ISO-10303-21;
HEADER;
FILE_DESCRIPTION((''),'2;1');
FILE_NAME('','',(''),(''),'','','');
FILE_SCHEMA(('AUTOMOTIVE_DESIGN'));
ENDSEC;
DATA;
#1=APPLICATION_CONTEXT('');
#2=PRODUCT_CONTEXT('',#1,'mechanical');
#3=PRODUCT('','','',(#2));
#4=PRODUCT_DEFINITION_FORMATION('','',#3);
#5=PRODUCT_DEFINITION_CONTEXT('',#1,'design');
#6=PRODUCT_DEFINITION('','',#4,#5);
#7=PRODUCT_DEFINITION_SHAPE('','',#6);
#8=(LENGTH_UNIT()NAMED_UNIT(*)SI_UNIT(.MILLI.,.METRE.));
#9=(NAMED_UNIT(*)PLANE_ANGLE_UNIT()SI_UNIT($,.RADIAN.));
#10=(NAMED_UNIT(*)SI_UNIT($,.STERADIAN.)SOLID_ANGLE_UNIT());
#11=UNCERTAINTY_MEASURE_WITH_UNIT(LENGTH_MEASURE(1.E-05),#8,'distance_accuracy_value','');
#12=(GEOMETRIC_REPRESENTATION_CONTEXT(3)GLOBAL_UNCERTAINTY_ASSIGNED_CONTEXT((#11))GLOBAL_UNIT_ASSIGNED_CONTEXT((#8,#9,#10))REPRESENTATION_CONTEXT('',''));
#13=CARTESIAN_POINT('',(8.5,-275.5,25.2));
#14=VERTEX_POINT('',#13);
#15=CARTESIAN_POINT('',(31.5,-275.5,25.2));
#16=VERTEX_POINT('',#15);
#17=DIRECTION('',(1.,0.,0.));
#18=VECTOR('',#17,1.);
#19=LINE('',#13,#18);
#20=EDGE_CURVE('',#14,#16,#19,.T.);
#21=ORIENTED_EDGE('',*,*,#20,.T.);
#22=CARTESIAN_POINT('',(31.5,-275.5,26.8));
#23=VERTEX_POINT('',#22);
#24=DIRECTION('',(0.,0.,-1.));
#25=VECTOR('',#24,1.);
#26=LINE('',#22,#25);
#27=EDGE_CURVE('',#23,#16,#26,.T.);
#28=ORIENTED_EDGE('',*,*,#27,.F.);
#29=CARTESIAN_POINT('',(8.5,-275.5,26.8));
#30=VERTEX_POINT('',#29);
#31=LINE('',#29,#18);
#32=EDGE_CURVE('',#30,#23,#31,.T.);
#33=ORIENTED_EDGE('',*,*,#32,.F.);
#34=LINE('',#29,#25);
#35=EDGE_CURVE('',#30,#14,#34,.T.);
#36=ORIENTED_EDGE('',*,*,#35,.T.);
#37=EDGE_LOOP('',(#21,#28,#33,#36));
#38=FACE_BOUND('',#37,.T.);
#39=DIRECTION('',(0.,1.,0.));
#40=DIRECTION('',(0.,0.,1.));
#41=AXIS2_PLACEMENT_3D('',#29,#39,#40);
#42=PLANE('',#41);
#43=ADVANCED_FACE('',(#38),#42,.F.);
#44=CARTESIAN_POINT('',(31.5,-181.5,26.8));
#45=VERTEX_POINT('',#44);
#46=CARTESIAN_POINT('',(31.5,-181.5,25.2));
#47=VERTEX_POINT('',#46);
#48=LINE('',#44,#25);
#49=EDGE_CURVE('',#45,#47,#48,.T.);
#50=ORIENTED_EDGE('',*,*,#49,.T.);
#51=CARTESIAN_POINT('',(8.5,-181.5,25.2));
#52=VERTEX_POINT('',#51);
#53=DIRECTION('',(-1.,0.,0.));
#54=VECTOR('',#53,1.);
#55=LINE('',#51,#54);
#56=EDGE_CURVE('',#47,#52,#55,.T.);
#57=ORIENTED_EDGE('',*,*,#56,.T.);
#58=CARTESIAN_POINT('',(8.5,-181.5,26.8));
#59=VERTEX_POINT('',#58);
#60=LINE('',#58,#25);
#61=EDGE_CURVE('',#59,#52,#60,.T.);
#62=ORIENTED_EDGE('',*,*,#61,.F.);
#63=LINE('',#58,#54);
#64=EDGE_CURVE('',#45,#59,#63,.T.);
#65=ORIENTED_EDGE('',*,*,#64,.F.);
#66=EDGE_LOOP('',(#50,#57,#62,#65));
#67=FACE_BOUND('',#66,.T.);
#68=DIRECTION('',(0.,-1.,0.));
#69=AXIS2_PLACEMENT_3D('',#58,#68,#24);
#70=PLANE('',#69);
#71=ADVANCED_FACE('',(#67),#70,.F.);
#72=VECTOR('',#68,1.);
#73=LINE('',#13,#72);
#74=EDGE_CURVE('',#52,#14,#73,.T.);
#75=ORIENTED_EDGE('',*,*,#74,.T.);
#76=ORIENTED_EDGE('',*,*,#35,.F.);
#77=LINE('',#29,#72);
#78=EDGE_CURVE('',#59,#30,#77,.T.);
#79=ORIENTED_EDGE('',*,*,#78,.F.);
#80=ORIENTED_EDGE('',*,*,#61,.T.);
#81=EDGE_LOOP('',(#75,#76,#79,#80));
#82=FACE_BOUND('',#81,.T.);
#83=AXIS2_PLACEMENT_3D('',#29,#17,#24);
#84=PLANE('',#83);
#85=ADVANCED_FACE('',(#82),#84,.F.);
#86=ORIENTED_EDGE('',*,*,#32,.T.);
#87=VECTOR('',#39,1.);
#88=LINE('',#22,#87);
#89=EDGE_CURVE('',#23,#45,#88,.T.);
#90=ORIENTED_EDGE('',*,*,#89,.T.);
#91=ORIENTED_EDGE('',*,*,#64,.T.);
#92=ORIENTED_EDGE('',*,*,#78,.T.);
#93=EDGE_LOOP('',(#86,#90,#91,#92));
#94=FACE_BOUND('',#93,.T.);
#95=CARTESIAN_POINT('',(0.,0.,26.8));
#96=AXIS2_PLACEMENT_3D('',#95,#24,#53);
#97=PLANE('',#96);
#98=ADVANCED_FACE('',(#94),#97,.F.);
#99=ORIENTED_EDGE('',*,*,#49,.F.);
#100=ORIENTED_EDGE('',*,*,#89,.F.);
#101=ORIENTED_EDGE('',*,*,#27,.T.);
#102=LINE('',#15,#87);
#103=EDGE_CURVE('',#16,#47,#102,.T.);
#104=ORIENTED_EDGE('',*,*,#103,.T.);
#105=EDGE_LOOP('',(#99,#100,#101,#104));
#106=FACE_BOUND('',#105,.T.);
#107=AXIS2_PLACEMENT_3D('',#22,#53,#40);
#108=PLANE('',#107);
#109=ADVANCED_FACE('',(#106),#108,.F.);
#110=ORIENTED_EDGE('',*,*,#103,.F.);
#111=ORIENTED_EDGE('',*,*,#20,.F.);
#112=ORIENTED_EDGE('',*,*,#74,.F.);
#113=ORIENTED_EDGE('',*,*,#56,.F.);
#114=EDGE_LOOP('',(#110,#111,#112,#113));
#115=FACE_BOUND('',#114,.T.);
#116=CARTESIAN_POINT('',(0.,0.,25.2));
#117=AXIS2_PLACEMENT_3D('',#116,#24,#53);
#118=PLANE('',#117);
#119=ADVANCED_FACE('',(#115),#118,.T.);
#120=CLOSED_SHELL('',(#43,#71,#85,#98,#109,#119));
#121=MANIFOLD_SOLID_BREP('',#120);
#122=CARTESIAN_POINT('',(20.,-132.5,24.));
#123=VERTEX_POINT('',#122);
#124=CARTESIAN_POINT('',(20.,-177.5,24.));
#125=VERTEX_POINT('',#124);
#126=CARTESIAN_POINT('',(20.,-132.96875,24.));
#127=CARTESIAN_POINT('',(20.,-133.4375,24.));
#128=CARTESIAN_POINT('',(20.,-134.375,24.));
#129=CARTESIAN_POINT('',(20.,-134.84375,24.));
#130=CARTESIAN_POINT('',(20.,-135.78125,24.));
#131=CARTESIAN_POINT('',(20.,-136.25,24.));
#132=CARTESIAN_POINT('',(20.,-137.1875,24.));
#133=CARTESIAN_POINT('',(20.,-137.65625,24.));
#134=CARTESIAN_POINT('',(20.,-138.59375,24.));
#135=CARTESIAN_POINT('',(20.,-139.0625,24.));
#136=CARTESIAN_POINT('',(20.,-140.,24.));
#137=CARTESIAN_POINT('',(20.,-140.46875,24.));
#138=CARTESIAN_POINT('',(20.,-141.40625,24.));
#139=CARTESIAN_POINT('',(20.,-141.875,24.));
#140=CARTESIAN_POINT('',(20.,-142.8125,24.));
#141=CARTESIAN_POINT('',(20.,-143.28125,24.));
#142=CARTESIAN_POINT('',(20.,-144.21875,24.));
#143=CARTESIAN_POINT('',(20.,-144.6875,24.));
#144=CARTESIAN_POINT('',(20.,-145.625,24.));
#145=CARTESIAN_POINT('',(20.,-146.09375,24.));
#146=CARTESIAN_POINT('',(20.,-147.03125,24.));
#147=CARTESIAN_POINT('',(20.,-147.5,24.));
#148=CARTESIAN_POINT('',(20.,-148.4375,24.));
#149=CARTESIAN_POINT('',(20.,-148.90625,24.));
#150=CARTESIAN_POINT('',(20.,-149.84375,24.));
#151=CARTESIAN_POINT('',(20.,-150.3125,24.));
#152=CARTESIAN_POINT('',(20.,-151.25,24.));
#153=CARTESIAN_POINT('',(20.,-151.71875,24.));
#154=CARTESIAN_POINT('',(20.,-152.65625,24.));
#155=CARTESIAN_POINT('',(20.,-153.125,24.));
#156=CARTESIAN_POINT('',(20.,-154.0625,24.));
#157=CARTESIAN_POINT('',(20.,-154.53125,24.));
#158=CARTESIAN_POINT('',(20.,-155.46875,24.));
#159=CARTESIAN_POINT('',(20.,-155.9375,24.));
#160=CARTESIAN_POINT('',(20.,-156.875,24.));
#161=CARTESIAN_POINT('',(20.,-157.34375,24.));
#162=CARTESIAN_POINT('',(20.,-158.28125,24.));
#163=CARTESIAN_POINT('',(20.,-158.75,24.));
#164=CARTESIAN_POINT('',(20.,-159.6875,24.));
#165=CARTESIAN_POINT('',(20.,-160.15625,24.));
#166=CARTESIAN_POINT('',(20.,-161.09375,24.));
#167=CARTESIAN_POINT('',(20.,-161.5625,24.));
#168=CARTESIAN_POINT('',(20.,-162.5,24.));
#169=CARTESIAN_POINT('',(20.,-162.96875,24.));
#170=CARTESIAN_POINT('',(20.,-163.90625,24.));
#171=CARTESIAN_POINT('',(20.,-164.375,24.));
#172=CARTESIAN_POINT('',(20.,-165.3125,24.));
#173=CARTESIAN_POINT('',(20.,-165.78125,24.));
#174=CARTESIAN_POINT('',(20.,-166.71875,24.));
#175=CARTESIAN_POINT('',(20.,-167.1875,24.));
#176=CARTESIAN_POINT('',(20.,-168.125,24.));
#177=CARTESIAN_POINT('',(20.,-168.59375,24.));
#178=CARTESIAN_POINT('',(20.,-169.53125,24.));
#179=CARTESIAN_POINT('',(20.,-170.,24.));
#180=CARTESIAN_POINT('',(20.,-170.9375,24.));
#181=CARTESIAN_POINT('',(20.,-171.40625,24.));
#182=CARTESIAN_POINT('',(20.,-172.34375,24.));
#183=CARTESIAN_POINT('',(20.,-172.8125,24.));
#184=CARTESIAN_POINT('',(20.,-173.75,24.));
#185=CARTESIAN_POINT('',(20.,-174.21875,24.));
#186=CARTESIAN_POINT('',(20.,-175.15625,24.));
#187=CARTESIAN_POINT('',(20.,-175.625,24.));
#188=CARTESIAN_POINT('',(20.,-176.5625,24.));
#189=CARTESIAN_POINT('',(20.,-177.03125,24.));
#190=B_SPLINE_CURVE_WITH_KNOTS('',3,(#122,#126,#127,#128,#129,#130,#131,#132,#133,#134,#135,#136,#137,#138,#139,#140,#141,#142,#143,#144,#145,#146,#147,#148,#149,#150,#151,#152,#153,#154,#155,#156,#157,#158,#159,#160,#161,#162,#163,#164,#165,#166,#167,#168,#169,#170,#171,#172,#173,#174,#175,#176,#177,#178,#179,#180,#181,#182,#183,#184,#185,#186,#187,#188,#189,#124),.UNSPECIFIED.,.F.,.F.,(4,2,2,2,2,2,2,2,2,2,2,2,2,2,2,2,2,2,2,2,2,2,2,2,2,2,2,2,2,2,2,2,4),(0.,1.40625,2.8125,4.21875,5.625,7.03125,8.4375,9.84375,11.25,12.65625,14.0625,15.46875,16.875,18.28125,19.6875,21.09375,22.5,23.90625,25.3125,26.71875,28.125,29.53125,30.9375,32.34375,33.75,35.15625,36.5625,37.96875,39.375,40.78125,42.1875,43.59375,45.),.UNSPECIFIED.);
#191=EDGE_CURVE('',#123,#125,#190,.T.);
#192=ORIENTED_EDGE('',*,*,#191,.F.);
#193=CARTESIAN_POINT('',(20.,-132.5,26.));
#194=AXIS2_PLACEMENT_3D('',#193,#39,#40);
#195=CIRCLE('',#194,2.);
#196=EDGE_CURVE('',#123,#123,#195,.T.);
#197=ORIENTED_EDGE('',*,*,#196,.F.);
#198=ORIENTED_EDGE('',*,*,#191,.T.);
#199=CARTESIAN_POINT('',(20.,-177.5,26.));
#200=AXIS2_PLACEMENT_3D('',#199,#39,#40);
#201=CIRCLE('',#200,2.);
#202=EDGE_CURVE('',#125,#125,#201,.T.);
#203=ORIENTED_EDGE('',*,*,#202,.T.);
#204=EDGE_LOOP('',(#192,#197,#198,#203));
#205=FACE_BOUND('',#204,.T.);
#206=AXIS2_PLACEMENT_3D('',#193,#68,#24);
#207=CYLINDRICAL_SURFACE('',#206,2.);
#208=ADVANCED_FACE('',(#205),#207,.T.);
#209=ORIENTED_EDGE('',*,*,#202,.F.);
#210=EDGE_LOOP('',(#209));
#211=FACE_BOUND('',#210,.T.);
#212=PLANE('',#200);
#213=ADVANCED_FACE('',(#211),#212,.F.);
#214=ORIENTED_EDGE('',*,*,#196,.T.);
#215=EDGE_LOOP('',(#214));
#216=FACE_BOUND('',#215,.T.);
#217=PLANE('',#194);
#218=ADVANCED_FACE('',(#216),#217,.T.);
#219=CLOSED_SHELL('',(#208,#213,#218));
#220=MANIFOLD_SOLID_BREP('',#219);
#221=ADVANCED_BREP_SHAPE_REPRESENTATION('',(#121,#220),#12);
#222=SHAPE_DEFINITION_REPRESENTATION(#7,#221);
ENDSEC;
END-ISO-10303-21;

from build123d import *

# Parameters (mm, degrees)
SKETCH1_W           = 23
SKETCH1_H           = 94
BOSS_EXTRUDE1_DEPTH = 1.6
SKETCH2_R           = 2
BOSS_EXTRUDE2_DEPTH = 45


with BuildPart() as part:
    # Sketch1 → Boss-Extrude1 (new body)
    with BuildSketch(Plane.XY.offset(25.2)):
        with Locations((20, -228.5)):
            Rectangle(SKETCH1_W, SKETCH1_H)
    extrude(amount=BOSS_EXTRUDE1_DEPTH)


with BuildPart() as body_2:
    # Sketch2 → Boss-Extrude2 (new body)
    with BuildSketch(Plane(origin=(0, -177.5, 0), x_dir=(1, 0, 0), z_dir=(0, 1, 0))):
        with Locations(Location((20, -26, 0), (0, 0, 90))):
            Circle(SKETCH2_R)
    extrude(amount=BOSS_EXTRUDE2_DEPTH)


solid = Compound([part.part, body_2.part])
